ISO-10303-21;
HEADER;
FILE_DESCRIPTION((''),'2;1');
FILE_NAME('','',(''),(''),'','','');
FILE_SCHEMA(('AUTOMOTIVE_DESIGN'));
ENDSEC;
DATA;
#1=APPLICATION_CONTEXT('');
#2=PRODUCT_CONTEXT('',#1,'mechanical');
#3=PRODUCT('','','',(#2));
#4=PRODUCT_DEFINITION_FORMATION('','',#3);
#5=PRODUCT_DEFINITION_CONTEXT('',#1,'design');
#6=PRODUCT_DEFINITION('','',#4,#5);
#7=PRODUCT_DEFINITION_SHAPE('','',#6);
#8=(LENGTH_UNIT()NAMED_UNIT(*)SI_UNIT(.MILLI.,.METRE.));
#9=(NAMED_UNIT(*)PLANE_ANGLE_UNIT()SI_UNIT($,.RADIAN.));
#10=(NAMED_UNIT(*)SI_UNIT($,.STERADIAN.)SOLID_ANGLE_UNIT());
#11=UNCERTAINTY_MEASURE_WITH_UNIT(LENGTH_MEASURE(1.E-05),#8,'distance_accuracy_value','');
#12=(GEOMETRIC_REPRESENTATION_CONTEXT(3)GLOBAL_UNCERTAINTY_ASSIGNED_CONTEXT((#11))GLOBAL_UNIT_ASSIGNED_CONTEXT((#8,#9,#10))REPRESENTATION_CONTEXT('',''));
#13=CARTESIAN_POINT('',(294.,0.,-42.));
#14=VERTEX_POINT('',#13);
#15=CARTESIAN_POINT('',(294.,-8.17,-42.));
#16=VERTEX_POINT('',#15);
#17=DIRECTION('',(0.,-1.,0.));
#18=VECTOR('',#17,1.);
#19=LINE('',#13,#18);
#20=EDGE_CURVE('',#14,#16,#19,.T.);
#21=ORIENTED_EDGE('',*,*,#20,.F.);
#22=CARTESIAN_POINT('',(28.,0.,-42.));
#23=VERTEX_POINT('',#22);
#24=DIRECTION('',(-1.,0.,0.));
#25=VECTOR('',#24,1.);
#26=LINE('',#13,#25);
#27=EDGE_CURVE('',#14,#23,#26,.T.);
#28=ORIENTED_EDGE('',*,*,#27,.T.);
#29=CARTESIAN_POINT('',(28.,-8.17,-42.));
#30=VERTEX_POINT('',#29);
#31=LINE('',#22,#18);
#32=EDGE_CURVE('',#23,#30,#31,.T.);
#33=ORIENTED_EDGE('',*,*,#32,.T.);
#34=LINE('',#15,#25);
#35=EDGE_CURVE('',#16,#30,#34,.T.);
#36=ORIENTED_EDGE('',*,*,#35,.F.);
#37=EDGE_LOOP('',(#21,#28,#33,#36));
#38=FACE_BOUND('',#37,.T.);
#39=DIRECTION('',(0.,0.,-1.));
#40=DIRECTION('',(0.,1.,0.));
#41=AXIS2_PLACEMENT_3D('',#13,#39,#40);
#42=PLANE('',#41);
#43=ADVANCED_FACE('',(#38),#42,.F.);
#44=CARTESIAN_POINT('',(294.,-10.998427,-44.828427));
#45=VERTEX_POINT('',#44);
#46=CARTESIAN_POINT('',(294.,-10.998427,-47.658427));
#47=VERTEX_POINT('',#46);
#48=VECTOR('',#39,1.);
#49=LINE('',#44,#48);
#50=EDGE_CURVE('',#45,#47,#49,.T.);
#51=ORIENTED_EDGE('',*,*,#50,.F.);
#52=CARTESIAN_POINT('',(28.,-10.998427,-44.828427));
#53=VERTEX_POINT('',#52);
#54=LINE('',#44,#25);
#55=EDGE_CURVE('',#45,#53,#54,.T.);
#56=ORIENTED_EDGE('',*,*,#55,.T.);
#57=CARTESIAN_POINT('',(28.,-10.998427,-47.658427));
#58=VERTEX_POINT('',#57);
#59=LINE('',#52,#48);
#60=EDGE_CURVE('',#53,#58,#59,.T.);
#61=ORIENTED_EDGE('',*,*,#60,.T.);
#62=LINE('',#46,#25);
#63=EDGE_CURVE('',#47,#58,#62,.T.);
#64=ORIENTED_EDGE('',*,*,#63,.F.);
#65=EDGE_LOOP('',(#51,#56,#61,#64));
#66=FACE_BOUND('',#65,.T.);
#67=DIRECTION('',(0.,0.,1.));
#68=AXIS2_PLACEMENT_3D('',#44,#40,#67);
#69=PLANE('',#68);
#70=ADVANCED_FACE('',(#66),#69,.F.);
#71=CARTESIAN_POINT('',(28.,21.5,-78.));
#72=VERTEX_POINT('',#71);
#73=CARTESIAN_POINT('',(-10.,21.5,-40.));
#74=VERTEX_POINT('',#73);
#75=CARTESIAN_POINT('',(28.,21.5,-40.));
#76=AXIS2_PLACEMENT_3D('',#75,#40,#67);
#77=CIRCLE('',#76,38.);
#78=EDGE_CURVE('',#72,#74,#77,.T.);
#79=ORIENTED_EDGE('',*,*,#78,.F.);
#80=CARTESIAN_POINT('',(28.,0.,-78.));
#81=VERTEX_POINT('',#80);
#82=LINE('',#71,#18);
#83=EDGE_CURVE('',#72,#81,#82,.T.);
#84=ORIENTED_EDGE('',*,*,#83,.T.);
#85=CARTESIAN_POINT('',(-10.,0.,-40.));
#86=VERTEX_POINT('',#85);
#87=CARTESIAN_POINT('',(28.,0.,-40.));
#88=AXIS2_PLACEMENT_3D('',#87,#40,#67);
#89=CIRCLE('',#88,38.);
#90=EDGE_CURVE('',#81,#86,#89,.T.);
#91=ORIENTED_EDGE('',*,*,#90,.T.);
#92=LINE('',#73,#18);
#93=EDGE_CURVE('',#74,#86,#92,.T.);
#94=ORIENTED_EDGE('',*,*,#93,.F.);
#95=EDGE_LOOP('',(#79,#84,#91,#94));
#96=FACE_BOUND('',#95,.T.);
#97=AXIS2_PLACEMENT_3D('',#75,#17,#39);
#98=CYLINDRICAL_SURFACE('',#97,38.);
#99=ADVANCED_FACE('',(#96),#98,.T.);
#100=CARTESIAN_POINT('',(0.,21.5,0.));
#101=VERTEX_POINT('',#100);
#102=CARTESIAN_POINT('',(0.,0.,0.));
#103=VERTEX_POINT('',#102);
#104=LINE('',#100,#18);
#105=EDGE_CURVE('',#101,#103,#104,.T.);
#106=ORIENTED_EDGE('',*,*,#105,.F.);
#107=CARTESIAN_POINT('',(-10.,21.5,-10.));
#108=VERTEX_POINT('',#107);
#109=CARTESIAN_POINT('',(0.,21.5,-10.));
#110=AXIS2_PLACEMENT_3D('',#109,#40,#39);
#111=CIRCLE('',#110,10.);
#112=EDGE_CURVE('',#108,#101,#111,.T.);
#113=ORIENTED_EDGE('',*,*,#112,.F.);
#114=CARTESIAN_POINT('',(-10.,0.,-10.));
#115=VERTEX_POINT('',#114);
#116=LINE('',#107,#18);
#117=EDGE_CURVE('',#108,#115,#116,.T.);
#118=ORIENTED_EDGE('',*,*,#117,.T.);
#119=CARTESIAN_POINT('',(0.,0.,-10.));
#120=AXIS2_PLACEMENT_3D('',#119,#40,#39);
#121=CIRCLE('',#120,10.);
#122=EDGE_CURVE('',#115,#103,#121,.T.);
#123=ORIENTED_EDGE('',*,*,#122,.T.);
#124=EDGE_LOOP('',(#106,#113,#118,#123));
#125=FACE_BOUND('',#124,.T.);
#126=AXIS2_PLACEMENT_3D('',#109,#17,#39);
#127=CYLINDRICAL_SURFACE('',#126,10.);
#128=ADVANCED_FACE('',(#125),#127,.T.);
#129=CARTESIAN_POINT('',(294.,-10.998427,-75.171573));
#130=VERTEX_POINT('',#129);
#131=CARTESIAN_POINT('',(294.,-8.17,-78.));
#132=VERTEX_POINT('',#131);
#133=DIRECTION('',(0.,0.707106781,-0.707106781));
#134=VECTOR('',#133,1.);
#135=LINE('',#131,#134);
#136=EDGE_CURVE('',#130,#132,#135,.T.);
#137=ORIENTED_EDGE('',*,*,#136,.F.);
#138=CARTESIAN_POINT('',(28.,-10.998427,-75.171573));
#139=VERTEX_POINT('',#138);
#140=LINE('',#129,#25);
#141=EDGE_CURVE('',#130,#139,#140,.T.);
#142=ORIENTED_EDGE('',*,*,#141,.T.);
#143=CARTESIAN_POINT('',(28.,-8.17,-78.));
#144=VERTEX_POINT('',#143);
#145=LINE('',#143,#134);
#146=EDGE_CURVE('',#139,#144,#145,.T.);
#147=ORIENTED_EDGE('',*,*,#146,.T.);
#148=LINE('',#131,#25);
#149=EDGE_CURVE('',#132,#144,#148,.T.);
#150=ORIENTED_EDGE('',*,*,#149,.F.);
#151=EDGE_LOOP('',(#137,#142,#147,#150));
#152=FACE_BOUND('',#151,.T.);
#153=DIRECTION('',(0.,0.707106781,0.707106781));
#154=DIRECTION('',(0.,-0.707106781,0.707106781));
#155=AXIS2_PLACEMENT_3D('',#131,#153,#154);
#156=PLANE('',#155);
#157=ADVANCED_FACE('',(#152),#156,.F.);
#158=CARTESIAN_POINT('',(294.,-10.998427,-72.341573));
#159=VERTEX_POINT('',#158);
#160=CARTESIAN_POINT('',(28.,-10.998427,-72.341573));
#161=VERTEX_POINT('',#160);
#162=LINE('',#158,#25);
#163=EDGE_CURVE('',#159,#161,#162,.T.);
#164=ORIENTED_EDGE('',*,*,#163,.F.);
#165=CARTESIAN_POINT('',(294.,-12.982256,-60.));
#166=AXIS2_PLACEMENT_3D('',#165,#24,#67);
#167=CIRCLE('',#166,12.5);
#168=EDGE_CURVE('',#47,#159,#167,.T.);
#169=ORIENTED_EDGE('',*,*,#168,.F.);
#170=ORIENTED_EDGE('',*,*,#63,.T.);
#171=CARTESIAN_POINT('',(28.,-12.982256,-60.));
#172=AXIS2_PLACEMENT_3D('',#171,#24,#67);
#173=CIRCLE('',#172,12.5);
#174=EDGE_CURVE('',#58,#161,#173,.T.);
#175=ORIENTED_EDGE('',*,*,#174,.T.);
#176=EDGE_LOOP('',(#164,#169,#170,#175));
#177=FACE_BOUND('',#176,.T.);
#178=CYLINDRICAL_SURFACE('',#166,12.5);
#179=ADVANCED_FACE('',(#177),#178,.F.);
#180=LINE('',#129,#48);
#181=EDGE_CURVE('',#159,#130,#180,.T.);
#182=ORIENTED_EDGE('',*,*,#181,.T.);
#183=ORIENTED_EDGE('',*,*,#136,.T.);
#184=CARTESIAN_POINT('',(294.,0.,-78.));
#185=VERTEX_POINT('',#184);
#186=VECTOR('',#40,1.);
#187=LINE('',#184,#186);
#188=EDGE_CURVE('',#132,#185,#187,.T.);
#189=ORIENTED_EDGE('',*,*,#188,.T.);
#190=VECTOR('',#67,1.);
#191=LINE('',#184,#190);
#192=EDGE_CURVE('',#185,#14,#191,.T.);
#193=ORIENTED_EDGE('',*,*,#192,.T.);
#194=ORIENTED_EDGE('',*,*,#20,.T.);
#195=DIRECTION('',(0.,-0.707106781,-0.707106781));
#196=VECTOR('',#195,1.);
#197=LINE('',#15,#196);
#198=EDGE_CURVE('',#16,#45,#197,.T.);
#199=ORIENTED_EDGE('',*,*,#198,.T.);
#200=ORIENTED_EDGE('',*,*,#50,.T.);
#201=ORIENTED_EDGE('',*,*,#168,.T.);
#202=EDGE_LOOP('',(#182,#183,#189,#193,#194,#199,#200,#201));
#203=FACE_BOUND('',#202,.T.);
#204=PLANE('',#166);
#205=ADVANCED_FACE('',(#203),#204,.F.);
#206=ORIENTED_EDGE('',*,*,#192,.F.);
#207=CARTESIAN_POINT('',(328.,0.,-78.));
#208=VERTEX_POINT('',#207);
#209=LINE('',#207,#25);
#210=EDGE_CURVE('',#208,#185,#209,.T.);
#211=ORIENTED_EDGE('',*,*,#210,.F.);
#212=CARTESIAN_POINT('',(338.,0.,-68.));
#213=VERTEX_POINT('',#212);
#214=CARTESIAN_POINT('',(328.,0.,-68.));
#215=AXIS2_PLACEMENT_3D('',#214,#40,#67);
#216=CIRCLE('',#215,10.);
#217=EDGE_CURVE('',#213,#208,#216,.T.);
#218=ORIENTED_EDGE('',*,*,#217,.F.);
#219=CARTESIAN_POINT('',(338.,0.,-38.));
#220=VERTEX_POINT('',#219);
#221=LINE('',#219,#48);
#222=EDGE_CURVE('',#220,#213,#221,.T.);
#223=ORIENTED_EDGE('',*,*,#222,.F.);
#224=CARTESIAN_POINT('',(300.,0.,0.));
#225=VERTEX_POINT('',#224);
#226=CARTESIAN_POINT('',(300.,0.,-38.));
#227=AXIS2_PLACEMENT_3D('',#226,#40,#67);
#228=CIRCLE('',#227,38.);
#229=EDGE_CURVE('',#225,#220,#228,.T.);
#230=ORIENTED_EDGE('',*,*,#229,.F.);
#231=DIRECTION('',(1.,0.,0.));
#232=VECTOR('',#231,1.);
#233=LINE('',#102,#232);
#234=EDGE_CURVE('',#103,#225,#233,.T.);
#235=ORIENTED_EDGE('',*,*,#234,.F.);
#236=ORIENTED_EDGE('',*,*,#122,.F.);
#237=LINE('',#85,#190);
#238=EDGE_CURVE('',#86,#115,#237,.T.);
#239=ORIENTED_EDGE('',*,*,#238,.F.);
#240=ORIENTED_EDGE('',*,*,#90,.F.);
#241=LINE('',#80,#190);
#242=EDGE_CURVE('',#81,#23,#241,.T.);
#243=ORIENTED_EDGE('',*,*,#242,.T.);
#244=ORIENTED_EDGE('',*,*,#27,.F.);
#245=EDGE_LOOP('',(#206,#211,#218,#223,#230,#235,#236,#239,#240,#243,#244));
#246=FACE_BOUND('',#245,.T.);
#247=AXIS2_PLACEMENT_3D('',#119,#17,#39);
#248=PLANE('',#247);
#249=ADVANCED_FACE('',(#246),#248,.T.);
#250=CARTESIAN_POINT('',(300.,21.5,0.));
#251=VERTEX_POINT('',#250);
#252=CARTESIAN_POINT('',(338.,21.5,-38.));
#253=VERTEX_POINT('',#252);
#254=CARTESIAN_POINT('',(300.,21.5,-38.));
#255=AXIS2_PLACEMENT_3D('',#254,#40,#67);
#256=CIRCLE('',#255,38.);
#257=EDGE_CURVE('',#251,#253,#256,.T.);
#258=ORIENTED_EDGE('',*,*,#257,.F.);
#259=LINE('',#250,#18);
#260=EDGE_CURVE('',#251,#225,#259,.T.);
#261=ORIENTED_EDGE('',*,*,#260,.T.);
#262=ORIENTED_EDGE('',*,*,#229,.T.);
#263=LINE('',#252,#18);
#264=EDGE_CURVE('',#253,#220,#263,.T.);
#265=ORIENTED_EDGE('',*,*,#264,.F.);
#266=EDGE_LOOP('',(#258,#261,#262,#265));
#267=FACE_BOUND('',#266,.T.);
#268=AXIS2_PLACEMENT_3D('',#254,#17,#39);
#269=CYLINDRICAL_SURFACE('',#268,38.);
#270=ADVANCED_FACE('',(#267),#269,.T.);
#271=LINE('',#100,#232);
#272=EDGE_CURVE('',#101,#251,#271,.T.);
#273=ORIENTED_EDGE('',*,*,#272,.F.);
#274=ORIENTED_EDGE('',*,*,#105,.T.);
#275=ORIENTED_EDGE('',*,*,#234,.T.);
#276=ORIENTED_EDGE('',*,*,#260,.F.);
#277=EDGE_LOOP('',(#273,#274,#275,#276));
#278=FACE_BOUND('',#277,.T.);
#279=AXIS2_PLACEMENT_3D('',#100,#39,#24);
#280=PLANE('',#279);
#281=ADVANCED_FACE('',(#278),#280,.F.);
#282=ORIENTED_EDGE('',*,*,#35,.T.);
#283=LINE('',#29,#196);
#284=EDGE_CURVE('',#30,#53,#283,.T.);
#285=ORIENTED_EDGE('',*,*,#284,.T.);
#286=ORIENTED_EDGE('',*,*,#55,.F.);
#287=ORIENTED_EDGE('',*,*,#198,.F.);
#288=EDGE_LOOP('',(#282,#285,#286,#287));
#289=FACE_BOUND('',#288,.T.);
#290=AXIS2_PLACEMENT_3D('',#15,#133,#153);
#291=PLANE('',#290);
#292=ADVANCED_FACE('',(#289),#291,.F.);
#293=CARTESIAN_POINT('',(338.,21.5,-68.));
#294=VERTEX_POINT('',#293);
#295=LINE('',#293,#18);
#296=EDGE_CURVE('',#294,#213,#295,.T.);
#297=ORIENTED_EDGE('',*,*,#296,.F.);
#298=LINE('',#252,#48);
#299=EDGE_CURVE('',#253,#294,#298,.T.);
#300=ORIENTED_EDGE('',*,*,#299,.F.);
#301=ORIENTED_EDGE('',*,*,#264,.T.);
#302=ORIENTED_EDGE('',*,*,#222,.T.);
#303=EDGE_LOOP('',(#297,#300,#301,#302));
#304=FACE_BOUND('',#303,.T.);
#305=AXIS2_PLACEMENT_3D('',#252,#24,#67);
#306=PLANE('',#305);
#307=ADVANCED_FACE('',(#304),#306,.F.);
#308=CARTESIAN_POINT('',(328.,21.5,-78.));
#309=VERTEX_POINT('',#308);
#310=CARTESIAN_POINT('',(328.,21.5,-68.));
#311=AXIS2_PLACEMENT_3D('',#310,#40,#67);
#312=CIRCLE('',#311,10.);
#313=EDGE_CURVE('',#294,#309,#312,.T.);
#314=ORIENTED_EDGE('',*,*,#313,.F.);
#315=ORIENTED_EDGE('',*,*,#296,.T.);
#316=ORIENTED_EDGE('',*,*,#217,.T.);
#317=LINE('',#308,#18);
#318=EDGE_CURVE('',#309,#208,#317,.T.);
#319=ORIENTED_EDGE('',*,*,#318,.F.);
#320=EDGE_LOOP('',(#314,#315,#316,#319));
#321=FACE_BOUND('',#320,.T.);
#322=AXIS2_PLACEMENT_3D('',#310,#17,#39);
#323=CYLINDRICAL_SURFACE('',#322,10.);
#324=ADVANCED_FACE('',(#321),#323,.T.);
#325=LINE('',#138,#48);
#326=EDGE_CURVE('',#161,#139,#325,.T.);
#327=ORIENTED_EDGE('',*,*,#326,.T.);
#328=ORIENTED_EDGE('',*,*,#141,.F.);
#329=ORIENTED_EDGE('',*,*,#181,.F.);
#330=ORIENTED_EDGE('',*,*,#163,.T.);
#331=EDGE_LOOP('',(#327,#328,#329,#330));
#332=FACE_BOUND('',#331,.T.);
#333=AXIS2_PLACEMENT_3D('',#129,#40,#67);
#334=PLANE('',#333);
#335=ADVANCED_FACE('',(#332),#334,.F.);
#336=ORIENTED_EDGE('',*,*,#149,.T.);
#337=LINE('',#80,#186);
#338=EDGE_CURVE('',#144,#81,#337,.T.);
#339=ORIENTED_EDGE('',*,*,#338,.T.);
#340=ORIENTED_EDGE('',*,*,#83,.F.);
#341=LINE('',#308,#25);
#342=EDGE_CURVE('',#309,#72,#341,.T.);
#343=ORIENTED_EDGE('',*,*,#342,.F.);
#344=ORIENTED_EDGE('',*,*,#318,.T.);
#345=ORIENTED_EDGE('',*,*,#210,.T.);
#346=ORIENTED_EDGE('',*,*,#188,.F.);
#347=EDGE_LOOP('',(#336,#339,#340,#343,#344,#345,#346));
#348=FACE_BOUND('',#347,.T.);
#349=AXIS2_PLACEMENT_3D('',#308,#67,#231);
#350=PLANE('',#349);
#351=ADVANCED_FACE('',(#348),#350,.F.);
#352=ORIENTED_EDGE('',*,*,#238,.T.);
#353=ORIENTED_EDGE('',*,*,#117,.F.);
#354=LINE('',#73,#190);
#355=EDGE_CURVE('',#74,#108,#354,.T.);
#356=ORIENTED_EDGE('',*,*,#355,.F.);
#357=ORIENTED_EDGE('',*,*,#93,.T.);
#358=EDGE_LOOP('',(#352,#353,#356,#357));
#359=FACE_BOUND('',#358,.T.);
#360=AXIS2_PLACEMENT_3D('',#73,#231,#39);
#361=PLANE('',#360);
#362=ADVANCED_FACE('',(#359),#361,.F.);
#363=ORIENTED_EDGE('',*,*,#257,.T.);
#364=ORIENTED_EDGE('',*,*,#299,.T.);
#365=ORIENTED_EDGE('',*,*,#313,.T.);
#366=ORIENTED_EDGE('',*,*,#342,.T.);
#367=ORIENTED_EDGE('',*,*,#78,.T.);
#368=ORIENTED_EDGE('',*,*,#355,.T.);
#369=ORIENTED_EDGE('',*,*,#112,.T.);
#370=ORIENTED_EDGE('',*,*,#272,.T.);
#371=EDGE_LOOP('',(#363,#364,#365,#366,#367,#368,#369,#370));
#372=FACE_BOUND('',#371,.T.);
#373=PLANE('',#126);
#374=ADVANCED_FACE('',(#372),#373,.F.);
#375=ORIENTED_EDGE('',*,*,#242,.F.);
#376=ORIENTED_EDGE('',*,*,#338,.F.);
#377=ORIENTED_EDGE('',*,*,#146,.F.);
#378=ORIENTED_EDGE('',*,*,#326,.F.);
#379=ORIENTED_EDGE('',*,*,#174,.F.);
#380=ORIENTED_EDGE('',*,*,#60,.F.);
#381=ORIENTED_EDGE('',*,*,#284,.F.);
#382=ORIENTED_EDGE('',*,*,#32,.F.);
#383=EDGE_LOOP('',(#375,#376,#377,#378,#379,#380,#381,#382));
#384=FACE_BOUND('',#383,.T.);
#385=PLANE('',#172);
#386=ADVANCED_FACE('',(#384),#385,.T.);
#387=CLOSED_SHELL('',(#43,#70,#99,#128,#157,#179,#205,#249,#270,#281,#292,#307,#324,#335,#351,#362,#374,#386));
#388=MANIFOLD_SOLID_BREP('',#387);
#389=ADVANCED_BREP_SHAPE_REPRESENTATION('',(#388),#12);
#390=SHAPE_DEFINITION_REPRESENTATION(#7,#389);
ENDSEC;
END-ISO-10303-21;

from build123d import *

# Parameters (mm, degrees)
BOSS_EXTRUDE2_DEPTH = 21.5
BOSS_EXTRUDE3_DEPTH = 266


with BuildPart() as part:
    # Sketch1 → Boss-Extrude2 (new body)
    with BuildSketch(Plane(origin=(0, 0, 0), x_dir=(1, 0, 0), z_dir=(0, 1, 0))):
        with BuildLine():
            Line((0, 0), (300, 0))
            ThreePointArc((300, 0), (326.870057685, 11.129942315), (338, 38))
            Line((338, 38), (338, 68))
            ThreePointArc((338, 68), (335.071067812, 75.071067812), (328, 78))
            Line((328, 78), (28, 78))
            ThreePointArc((28, 78), (1.129942315, 66.870057685), (-10, 40))
            Line((-10, 40), (-10, 10))
            ThreePointArc((-10, 10), (-7.071067812, 2.928932188), (0, 0))
        make_face()
    extrude(amount=BOSS_EXTRUDE2_DEPTH)

    # Sketch5 → Boss-Extrude3 (add)
    with BuildSketch(Plane(origin=(28, 0, 0), x_dir=(0, 0, -1), z_dir=(1, 0, 0))):
        with BuildLine():
            Line((78, 0), (42, 0))
            Line((42, 0), (42, -8.17))
            Line((42, -8.17), (44.828427125, -10.998427125))
            Line((44.828427125, -10.998427125), (47.658427125, -10.998427125))
            ThreePointArc((47.658427125, -10.998427125), (60, -0.482256494), (72.341572875, -10.998427125))
            Line((72.341572875, -10.998427125), (75.171572875, -10.998427125))
            Line((75.171572875, -10.998427125), (78, -8.17))
            Line((78, -8.17), (78, 0))
        make_face()
    extrude(amount=BOSS_EXTRUDE3_DEPTH)


solid = part.part
